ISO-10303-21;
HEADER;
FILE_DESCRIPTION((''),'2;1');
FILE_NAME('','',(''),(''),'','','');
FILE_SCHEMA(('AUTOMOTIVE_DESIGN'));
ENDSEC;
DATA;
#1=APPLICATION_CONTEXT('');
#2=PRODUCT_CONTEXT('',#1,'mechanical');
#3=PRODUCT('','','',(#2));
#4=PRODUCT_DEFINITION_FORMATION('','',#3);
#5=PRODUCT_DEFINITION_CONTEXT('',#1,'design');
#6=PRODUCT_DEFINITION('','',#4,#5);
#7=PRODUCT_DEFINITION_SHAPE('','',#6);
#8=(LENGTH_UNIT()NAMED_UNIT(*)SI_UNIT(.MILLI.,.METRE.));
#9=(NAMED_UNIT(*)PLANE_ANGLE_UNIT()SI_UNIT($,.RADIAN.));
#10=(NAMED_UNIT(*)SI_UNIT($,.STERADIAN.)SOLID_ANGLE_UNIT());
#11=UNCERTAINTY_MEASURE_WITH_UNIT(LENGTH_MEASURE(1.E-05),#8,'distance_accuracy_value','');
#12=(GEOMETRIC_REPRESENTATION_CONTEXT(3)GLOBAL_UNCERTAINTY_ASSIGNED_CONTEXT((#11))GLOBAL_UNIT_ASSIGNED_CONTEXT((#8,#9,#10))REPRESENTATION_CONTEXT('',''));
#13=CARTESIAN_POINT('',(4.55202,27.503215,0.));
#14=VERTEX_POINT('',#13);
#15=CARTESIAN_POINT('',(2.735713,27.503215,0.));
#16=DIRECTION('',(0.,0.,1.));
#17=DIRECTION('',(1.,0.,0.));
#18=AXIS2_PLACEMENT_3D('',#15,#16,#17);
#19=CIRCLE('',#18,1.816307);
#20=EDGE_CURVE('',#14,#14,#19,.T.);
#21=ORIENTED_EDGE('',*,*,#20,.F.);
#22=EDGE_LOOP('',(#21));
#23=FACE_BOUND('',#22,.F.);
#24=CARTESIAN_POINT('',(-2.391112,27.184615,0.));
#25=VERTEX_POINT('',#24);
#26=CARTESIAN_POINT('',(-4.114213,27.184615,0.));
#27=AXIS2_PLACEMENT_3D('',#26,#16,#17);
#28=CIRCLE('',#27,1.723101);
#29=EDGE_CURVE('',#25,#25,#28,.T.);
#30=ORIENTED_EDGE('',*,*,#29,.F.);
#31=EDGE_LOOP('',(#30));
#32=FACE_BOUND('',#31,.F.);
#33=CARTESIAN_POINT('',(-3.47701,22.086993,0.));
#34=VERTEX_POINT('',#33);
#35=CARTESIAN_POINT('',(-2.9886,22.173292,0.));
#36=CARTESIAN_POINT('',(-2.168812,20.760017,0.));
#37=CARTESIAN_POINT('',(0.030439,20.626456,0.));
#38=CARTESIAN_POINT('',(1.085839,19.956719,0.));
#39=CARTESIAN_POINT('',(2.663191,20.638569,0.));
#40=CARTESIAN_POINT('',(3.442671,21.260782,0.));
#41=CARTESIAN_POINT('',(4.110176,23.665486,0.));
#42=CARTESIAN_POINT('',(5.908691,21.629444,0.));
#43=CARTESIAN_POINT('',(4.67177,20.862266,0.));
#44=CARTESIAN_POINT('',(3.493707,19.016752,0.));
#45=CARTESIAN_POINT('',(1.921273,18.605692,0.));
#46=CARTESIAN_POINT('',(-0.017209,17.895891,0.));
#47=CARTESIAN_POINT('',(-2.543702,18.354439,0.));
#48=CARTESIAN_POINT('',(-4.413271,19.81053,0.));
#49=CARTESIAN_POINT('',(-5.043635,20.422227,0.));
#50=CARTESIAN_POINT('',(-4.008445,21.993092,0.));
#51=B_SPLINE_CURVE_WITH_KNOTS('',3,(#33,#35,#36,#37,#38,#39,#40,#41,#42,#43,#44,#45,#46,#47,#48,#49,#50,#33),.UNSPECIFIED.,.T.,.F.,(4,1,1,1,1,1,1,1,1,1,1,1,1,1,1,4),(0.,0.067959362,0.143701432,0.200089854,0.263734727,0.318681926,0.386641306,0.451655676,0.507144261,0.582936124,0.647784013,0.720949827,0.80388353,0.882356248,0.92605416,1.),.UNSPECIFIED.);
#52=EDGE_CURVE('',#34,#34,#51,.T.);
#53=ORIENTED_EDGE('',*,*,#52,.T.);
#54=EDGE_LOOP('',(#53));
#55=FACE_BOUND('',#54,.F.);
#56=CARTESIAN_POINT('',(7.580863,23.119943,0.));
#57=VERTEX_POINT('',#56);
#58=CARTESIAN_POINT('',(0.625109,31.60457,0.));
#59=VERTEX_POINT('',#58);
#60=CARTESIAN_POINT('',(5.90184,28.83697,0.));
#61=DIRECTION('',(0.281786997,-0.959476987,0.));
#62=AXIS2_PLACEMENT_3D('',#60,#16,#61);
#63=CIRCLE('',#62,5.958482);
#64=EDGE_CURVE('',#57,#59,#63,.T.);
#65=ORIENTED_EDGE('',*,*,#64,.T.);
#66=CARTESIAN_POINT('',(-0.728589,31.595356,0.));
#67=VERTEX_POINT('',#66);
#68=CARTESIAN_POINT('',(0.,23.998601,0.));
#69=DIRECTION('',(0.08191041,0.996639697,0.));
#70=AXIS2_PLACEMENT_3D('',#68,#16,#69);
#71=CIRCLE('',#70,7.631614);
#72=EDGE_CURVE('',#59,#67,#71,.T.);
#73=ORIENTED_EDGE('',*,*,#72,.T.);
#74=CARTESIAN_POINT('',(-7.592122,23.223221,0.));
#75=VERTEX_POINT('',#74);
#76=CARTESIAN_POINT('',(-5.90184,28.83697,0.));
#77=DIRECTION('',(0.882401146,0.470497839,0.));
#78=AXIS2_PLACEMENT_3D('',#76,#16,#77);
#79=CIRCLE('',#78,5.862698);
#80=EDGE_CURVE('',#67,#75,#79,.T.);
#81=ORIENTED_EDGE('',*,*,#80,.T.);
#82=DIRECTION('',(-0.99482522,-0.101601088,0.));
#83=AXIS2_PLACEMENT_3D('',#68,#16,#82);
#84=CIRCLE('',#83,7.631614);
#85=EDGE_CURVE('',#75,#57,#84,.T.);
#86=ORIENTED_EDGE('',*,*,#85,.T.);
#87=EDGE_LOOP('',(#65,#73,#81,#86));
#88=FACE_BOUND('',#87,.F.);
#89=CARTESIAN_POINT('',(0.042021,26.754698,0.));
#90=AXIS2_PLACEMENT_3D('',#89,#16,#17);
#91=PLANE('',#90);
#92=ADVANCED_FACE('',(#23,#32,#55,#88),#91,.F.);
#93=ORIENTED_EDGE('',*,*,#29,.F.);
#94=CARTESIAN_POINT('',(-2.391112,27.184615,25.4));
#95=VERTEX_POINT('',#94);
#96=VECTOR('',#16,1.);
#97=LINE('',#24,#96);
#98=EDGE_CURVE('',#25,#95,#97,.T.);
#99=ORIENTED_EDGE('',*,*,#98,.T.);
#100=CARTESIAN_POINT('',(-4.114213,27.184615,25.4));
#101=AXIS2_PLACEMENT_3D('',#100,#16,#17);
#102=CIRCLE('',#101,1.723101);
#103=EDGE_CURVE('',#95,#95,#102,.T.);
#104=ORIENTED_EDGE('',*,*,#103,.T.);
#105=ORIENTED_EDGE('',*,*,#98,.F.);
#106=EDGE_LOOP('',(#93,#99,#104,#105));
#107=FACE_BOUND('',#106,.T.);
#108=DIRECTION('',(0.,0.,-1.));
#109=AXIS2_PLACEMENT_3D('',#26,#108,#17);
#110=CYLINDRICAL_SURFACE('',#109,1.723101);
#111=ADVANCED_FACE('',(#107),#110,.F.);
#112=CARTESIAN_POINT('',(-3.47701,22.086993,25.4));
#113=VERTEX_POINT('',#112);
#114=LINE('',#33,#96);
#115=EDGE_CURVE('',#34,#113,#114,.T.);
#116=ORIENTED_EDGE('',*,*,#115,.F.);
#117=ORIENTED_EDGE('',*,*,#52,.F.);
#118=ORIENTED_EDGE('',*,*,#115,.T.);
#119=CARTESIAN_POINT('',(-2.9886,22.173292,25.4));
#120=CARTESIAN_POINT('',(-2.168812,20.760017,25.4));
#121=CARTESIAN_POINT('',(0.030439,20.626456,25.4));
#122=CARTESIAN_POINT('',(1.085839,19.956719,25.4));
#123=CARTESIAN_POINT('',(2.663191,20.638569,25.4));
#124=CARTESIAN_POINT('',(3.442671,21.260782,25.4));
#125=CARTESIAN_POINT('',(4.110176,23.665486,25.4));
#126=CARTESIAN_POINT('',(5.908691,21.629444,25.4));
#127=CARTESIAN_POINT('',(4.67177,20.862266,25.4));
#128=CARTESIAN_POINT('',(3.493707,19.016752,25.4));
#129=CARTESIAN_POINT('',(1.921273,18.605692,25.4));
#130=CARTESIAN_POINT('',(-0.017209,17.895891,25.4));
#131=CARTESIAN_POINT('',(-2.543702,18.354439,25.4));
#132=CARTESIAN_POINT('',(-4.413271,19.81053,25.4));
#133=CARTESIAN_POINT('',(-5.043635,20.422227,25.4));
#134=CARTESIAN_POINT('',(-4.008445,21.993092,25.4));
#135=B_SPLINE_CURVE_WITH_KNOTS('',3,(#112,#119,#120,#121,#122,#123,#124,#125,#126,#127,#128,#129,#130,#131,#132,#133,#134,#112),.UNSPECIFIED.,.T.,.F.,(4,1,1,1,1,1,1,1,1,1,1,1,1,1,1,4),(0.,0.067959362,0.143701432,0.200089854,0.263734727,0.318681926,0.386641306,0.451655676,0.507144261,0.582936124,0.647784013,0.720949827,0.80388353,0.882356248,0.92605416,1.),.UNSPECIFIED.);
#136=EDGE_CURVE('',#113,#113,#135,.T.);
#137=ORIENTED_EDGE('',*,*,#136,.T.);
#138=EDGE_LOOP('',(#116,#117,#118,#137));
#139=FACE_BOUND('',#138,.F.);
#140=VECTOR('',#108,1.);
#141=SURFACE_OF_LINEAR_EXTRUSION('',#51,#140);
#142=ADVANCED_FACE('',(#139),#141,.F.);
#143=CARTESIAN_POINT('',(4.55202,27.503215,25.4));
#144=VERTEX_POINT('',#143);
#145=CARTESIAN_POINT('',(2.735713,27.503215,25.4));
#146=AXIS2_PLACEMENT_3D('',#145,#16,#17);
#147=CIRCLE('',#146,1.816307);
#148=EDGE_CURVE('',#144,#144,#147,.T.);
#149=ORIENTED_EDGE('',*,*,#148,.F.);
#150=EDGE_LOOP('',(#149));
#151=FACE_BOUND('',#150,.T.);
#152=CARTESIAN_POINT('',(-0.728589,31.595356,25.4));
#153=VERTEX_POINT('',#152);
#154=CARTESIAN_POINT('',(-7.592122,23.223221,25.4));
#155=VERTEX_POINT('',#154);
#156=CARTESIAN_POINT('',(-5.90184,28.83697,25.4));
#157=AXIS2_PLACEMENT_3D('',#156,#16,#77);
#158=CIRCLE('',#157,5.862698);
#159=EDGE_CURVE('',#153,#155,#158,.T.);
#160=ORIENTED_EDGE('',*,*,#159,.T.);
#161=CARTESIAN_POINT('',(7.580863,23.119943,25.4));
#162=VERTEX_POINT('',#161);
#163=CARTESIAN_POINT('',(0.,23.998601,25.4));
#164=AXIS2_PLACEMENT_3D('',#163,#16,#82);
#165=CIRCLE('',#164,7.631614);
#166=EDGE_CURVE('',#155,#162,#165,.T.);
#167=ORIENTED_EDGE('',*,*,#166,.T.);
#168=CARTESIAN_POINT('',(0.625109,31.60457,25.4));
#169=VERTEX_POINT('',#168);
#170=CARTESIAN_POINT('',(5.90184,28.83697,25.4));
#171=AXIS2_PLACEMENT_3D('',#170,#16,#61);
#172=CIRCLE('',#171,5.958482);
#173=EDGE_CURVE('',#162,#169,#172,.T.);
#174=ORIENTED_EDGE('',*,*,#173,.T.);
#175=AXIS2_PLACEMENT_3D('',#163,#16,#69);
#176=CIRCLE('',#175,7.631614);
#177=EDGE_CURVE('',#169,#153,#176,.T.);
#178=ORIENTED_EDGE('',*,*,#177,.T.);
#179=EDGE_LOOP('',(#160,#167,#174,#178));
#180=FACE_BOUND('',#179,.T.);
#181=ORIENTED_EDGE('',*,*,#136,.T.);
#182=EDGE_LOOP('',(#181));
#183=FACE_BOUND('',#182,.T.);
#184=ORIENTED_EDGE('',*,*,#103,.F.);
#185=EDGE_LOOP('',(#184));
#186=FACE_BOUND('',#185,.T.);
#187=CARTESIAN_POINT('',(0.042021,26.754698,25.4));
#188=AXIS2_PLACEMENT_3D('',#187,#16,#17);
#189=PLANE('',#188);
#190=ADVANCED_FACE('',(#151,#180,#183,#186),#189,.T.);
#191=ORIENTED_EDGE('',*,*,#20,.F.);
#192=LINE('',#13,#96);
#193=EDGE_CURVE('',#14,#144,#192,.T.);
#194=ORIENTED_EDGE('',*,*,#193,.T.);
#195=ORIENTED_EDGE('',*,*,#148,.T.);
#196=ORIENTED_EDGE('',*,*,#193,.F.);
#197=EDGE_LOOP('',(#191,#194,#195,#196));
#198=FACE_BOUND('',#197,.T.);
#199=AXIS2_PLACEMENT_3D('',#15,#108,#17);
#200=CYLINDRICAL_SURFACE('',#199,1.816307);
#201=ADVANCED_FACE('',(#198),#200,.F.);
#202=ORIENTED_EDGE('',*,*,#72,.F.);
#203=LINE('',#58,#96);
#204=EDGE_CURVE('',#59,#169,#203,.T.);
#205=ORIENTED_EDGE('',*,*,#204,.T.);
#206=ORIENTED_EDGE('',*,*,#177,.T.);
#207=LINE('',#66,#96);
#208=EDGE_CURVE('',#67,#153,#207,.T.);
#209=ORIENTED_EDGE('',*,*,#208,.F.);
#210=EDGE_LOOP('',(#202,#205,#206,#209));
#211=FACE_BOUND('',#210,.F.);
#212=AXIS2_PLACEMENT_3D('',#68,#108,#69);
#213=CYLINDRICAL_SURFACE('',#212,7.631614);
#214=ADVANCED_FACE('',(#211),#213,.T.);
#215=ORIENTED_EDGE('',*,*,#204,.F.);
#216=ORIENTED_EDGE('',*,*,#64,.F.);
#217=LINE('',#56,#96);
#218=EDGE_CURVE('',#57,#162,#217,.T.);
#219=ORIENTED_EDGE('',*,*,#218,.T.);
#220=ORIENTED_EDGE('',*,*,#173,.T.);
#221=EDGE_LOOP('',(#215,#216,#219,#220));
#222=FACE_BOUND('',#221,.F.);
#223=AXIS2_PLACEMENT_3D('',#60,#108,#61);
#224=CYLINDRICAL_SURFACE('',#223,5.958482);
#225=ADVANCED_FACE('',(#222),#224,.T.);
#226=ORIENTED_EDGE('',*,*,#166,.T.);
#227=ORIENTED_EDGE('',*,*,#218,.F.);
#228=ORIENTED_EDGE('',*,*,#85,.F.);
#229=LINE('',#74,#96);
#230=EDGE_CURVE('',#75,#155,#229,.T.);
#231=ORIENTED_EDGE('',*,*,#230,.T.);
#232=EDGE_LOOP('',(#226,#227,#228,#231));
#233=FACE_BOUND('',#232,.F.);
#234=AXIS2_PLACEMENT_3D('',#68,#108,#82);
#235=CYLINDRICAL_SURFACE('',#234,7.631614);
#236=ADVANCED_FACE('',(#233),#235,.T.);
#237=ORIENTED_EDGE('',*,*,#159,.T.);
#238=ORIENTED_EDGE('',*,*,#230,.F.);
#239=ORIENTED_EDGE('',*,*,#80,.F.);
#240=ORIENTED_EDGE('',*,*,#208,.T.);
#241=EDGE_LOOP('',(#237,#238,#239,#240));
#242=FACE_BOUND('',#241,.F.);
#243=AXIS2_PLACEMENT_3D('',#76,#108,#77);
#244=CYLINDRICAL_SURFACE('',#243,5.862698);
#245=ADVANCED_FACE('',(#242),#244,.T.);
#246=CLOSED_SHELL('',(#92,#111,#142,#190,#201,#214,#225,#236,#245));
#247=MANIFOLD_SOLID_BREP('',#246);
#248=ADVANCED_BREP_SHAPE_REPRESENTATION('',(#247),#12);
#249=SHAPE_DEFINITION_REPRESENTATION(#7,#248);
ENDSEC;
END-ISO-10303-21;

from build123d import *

# Parameters (mm, degrees)
F0_R     = 1.7231011996
F0_R_2   = 1.8163065436
F1_DEPTH = 25.4


with BuildPart() as f1:
    # F0 (on Top) → F1 (new body)
    with BuildSketch(Plane.XY):
        with BuildLine():
            ThreePointArc((-0.7285891613, 31.5953561161), (-10.4357050745, 32.5538624056), (-7.5921216037, 23.2232211252))
            ThreePointArc((-7.5921216037, 23.2232211252), (-0.0519449948, 16.3671646248), (7.5808630386, 23.1199429829))
            ThreePointArc((7.5808630386, 23.1199429829), (10.5097792981, 32.6145889512), (0.6251085936, 31.6045703473))
            ThreePointArc((0.6251085936, 31.6045703473), (-0.0519449948, 31.6300380994), (-0.7285891613, 31.5953561161))
        make_face()
        with Locations((-4.1142129339, 27.1846149117)):
            Circle(F0_R, mode=Mode.SUBTRACT)
        with BuildLine():
            add(Edge.make_bspline(
                [(-3.4770104103, 22.0869928598), (-2.9885996802, 22.1732919096), (-2.1688121082, 20.760016981), (0.0304388848, 20.6264558904), (1.0858387052, 19.9567189767), (2.6631910158, 20.638569289), (3.4426706664, 21.2607817308), (4.1101758755, 23.665486052), (5.90869138, 21.629443832), (4.6717701033, 20.8622664078), (3.4937069943, 19.0167516314), (1.9212729778, 18.6056919538), (-0.0172091849, 17.8958908597), (-2.5437022761, 18.3544392475), (-4.4132706365, 19.8105304724), (-5.0436348372, 20.4222270913), (-4.0084447966, 21.9930918054), (-3.4770104103, 22.0869928598)],
                knots=[0, 0, 0, 0, 0.0679593618, 0.1437014321, 0.2000898538, 0.2637347273, 0.3186819265, 0.3866413062, 0.4516556765, 0.507144261, 0.5829361235, 0.6477840128, 0.7209498274, 0.8038835304, 0.8823562479, 0.9260541599, 1, 1, 1, 1], degree=3))
        make_face(mode=Mode.SUBTRACT)
        with Locations((2.7357134968, 27.5032147765)):
            Circle(F0_R_2, mode=Mode.SUBTRACT)
    extrude(amount=F1_DEPTH)


solid = f1.part
